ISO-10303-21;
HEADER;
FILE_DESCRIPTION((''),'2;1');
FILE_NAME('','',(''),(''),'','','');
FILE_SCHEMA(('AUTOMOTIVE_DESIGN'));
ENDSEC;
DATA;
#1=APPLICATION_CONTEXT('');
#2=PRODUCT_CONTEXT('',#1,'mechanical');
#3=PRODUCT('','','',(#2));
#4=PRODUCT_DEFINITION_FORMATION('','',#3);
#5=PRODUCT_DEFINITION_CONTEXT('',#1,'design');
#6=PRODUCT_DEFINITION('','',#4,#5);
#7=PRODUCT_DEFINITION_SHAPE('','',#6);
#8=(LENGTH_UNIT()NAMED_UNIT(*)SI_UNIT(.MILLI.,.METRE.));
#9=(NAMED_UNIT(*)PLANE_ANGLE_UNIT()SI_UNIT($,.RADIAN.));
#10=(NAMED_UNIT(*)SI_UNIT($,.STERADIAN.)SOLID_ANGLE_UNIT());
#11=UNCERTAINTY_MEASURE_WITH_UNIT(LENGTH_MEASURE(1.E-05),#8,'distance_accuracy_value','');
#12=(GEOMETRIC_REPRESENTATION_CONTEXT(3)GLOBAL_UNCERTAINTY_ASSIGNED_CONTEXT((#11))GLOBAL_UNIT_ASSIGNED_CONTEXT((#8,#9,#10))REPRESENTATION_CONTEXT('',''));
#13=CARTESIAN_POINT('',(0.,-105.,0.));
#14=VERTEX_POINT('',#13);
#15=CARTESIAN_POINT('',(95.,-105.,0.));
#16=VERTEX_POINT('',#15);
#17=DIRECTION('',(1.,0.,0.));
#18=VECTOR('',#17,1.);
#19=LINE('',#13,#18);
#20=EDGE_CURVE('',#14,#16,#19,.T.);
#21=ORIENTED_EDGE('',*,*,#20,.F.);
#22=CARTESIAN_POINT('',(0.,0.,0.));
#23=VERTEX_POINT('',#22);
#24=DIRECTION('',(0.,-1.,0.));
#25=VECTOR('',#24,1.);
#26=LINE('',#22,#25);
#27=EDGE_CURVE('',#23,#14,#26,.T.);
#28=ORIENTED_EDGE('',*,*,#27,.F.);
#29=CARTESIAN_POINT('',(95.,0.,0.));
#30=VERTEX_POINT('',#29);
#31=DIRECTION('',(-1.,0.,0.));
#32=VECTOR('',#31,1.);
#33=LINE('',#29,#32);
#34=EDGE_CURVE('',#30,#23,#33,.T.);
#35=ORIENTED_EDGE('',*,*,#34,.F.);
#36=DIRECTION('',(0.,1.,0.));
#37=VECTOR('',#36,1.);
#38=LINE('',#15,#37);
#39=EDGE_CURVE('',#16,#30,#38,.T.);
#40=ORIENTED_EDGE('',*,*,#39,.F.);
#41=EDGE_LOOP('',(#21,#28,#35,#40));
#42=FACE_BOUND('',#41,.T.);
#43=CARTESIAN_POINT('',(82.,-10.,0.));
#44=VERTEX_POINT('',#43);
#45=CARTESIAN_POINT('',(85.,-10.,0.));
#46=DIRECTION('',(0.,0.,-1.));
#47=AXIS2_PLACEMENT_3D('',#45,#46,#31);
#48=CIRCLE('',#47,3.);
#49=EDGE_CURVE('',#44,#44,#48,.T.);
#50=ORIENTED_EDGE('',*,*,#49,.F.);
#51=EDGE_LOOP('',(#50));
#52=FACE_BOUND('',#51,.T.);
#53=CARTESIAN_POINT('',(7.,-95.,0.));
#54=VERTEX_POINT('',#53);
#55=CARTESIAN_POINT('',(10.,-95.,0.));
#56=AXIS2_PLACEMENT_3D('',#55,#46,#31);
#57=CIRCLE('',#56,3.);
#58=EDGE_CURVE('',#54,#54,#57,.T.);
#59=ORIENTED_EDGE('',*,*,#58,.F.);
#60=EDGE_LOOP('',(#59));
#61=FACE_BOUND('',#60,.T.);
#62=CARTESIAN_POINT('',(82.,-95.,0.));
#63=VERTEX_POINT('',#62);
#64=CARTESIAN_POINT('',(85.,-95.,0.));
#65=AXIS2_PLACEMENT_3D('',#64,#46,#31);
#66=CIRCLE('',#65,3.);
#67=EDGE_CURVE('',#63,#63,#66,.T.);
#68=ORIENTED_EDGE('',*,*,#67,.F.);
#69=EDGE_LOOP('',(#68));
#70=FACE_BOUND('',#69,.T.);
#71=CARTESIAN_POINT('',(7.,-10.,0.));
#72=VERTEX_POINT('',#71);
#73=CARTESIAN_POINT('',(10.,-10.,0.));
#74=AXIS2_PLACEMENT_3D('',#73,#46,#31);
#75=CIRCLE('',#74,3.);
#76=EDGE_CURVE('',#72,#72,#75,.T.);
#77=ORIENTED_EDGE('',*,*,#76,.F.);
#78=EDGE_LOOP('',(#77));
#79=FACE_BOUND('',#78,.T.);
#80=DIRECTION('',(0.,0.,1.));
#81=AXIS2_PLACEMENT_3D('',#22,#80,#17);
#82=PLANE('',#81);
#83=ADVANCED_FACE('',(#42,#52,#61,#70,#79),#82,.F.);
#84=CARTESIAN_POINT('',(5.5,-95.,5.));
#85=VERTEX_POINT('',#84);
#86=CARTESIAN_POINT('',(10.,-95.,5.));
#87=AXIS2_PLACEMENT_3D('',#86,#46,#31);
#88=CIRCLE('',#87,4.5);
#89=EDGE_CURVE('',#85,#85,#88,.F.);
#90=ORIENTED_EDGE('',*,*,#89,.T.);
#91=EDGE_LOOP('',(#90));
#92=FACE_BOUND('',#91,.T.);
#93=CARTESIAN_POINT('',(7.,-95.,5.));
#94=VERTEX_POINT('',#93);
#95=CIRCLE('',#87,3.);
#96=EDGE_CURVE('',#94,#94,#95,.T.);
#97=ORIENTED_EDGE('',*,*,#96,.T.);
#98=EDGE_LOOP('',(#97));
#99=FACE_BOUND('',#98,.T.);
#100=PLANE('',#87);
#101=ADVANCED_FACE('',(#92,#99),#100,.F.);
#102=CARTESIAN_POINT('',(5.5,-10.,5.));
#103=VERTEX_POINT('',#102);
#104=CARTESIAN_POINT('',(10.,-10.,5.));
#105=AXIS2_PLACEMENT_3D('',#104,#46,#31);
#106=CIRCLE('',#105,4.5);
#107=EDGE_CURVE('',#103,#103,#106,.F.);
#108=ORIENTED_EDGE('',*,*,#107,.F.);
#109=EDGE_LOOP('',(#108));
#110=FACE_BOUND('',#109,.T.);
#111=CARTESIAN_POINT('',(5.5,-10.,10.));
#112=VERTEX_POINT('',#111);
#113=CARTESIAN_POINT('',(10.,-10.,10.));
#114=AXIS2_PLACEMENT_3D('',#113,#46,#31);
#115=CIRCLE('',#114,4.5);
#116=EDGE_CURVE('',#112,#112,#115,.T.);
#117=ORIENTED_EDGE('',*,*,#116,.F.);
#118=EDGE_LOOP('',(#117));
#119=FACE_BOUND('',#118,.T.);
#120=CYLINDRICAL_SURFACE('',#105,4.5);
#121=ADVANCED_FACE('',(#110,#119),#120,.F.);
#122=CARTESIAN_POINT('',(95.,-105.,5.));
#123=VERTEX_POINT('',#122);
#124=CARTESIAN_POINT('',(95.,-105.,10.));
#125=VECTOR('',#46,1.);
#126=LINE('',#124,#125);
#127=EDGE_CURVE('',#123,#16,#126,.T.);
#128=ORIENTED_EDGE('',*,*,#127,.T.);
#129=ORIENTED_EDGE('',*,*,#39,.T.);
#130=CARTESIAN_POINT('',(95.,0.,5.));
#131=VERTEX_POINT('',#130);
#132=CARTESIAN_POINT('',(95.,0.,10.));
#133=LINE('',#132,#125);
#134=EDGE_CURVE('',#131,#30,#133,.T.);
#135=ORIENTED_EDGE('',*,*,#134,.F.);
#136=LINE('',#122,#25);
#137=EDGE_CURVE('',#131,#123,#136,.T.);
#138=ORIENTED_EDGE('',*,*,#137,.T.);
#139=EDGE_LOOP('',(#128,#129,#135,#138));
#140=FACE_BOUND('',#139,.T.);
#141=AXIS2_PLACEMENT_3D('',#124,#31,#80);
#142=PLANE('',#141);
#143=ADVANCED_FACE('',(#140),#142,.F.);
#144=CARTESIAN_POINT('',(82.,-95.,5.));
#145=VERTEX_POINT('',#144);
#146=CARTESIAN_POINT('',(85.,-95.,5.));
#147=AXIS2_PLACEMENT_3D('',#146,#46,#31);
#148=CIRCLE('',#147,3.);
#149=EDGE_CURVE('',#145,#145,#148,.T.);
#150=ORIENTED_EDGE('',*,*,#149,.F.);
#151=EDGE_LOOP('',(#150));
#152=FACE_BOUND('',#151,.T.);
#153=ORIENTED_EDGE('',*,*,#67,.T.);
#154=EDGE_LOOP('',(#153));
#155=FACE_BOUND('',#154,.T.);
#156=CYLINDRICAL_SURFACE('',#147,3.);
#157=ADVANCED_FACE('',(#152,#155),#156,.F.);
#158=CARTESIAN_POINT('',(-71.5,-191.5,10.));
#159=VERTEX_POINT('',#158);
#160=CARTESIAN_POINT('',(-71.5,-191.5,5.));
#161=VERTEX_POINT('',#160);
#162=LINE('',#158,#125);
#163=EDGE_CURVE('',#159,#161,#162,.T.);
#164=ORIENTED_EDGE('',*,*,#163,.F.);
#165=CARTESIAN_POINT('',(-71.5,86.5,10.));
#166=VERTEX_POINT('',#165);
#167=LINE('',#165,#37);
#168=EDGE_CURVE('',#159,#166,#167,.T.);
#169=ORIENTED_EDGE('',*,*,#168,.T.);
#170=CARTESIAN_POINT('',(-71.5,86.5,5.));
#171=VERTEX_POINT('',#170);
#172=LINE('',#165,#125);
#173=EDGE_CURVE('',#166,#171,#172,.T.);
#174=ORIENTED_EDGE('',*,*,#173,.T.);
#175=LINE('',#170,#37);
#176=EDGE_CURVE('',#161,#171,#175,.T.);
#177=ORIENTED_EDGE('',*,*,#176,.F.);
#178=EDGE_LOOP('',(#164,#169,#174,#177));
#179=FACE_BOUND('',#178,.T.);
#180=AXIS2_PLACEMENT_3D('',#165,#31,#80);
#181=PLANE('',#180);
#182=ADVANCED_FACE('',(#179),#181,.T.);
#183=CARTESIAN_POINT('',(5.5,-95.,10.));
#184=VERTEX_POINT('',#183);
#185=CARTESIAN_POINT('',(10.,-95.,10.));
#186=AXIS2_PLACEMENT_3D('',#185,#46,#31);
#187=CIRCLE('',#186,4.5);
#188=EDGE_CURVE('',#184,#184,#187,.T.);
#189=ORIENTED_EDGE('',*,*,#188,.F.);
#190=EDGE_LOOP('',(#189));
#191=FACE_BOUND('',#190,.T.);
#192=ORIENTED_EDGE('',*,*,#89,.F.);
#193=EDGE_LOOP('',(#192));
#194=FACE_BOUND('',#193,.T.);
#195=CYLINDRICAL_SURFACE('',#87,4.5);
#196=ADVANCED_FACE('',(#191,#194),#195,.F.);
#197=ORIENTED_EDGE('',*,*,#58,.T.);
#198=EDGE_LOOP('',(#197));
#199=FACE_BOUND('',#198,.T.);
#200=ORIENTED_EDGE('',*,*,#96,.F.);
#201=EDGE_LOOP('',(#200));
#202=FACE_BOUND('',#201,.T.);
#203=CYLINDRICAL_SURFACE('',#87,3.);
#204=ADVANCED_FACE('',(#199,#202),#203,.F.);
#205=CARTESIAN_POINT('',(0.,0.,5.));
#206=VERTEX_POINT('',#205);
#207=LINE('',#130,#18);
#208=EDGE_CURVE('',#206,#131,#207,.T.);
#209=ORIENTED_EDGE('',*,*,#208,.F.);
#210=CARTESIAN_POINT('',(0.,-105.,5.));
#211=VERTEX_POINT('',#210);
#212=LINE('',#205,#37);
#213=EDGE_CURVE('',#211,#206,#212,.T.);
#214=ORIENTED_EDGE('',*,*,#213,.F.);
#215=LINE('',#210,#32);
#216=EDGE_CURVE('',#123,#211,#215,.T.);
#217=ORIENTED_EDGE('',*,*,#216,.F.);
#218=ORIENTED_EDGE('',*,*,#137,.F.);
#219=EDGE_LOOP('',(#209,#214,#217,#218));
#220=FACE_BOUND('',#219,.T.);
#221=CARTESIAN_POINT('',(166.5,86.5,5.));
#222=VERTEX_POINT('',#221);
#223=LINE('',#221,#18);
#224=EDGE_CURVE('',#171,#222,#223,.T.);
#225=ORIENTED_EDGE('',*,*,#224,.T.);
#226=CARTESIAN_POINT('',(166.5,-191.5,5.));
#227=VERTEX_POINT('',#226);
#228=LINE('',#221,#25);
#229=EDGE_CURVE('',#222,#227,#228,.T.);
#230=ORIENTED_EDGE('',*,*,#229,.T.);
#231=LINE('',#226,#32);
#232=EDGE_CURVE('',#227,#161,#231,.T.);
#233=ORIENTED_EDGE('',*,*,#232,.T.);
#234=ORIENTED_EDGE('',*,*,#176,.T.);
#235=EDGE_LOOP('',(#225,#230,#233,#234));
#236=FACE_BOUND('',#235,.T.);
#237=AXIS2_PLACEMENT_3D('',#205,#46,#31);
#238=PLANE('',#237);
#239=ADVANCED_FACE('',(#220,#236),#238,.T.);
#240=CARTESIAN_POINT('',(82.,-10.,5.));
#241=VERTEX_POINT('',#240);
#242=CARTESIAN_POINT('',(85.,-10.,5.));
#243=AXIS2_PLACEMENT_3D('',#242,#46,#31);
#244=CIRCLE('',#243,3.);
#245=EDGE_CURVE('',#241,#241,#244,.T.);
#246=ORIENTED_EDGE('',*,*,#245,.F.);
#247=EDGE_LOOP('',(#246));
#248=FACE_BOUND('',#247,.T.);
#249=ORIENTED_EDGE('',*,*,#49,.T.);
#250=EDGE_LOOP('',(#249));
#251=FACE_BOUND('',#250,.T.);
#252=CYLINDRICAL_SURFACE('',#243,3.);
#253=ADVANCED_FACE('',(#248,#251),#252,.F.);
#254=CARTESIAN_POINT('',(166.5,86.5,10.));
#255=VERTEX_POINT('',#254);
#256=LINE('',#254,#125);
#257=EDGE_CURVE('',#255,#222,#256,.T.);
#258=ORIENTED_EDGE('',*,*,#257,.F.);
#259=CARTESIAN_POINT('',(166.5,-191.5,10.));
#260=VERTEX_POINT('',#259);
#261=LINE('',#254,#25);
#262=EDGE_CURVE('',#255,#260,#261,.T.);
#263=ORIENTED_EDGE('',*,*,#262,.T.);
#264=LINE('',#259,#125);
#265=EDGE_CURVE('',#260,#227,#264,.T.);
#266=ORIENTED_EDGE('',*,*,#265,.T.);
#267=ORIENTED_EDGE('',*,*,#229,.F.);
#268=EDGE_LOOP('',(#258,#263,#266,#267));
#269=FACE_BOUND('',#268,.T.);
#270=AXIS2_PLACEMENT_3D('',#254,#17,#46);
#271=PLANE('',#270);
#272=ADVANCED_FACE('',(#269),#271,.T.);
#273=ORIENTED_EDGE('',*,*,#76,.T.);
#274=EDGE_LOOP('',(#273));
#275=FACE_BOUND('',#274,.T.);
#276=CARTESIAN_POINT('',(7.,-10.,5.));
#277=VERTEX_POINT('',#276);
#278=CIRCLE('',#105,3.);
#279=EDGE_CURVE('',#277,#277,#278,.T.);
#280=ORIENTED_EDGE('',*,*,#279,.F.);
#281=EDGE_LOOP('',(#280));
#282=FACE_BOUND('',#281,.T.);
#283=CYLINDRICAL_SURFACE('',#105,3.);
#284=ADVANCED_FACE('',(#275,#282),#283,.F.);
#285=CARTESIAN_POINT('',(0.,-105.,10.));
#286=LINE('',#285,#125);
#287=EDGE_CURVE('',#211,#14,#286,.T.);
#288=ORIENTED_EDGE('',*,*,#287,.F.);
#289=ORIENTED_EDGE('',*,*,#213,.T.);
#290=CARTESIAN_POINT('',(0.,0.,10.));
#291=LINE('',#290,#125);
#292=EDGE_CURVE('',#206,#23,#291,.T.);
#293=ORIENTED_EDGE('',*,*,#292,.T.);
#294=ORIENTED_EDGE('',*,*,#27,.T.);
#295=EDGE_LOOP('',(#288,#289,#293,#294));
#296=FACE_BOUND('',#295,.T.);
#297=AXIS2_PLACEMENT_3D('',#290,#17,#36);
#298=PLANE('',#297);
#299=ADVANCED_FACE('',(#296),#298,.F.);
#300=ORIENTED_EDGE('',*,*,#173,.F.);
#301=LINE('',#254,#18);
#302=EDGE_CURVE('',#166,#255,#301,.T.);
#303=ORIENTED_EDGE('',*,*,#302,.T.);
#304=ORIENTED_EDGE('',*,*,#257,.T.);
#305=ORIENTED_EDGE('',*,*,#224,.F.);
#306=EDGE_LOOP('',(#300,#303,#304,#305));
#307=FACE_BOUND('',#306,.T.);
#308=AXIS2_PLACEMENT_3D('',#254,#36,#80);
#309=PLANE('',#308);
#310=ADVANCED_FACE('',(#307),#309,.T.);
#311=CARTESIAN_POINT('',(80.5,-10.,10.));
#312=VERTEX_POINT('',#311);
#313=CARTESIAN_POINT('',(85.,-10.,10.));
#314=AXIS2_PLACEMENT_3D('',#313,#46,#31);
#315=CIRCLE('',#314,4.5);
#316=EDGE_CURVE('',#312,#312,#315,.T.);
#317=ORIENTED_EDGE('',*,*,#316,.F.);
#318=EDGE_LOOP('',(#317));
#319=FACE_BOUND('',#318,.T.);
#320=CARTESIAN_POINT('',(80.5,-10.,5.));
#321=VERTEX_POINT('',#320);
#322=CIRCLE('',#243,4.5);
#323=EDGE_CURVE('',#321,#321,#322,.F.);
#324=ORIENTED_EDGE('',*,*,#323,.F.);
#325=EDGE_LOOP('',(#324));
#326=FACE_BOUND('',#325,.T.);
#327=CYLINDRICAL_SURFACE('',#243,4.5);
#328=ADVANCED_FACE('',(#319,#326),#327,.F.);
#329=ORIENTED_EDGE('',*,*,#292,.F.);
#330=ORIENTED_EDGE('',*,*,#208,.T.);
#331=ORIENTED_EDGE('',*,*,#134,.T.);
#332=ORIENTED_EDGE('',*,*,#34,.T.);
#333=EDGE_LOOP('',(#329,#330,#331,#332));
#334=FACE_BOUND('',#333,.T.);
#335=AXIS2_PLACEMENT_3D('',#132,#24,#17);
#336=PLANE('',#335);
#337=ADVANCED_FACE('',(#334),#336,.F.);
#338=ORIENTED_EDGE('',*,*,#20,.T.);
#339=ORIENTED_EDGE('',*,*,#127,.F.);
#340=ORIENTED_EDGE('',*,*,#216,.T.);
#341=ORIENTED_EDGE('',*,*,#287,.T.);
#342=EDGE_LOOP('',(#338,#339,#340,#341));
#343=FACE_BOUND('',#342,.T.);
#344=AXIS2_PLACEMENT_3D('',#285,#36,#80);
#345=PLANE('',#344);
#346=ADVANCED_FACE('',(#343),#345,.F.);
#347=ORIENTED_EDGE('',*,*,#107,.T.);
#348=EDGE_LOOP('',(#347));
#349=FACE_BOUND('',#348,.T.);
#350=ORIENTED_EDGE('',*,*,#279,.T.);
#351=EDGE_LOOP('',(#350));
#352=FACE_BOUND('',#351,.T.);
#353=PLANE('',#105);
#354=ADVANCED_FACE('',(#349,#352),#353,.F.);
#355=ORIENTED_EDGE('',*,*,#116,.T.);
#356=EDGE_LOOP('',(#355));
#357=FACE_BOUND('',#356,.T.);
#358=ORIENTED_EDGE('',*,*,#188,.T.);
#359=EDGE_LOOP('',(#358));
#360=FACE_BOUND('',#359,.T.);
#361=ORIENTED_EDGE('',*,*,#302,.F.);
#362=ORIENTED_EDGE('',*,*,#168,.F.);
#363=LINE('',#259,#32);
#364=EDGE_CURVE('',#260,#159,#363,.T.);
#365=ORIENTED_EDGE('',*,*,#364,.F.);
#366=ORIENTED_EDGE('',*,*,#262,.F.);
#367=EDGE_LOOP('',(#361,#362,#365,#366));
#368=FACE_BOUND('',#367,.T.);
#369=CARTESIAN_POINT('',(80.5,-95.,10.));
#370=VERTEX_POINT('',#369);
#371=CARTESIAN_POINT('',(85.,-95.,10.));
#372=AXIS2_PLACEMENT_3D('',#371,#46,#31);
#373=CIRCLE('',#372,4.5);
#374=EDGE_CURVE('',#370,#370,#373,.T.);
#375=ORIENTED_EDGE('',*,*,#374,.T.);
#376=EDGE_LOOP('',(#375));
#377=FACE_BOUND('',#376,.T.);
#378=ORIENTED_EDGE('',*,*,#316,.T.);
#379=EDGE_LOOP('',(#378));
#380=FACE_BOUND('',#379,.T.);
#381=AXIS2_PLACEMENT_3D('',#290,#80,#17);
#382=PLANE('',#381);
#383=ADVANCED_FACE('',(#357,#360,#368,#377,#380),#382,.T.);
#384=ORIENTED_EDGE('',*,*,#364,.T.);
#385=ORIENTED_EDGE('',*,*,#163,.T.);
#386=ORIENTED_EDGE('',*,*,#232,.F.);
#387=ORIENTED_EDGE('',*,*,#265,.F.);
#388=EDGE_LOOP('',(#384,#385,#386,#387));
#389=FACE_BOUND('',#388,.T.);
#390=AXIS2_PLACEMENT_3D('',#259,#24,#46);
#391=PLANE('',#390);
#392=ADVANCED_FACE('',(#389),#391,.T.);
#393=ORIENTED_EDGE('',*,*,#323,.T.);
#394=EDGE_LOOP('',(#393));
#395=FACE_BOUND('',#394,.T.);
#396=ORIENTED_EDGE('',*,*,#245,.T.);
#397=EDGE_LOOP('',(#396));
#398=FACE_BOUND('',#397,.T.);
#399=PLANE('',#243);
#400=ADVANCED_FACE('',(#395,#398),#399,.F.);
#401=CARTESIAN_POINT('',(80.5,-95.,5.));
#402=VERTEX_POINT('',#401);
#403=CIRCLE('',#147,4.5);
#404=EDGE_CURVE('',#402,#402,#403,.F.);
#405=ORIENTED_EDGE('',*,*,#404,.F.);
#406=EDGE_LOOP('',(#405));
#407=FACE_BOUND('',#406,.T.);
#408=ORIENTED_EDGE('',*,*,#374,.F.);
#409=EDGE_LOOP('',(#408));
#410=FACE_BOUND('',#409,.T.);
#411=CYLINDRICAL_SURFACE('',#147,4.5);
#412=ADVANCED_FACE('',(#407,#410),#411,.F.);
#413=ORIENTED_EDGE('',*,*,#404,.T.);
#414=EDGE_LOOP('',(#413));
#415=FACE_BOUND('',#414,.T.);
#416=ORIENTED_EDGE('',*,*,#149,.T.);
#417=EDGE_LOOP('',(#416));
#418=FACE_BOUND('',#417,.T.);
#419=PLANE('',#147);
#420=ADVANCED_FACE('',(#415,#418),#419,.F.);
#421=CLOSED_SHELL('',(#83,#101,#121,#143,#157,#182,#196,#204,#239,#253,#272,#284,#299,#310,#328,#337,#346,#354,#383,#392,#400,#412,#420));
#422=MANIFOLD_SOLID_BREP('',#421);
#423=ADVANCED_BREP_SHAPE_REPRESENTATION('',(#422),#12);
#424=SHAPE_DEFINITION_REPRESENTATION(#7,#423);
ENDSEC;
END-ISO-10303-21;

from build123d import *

# Parameters (mm, degrees)
SKETCH_1_W          = 95
SKETCH_1_H          = 105
EXTRUDE_3_DEPTH     = 10
SKETCH_10_R         = 4.5
CUT_EXTRUDE_4_DEPTH = 5
EXTRUDE_4_DEPTH     = 5
SKETCH_13_W         = 238
SKETCH_13_H         = 278
SKETCH_13_W_2       = 228
SKETCH_13_H_2       = 268
EXTRUDE_5_DEPTH     = 30
SKETCH_14_W         = 238
SKETCH_14_H         = 278
SKETCH_14_W_2       = 228
SKETCH_14_H_2       = 268
EXTRUDE_6_DEPTH     = 5
SKETCH_17_W         = 464.866912847
SKETCH_17_H         = 477.250662574
CUT_EXTRUDE_5_DEPTH = 30
SKETCH_10_2_R       = 4.5
CUT_EXTRUDE_6_DEPTH = 10
SKETCH_19_R         = 4.5
SKETCH_19_R_2       = 3
EXTRUDE_7_DEPTH     = 5


with BuildPart() as part:
    # 草图1 → 凸台-拉伸3 (new body)
    with BuildSketch(Plane.XY):
        with Locations((47.5, -52.5)):
            Rectangle(SKETCH_1_W, SKETCH_1_H)
    extrude(amount=EXTRUDE_3_DEPTH)

    # 草图10 → 切除-拉伸4 (cut)
    with BuildSketch(Plane(origin=(0, 0, 0), x_dir=(-1, 0, 0), z_dir=(0, 0, -1))):
        with Locations((-85, -10)):
            Circle(SKETCH_10_R)
        with Locations((-85, -95)):
            Circle(SKETCH_10_R)
        with Locations((-10, -95)):
            Circle(SKETCH_10_R)
        with Locations((-10, -10)):
            Circle(SKETCH_10_R)
    extrude(amount=-CUT_EXTRUDE_4_DEPTH, mode=Mode.SUBTRACT)

    # 草图12 → 凸台-拉伸4 (add)
    with BuildSketch(Plane.XY.offset(10)):
        Polygon((47.5, 81.5), (161.5, 81.5), (161.5, -186.5), (-66.5, -186.5), (-66.5, 81.5), align=None)
    extrude(amount=-EXTRUDE_4_DEPTH)



with BuildPart() as body_2:
    # 草图13 → 凸台-拉伸5 (new body)
    with BuildSketch(Plane.XY.offset(10)):
        with Locations((47.5, -52.5)):
            Rectangle(SKETCH_13_W, SKETCH_13_H)
        with Locations((47.5, -52.5)):
            Rectangle(SKETCH_13_W_2, SKETCH_13_H_2, mode=Mode.SUBTRACT)
    extrude(amount=EXTRUDE_5_DEPTH)


with BuildPart() as part_1:
    add(part.part)

    add(body_2.part)  # 凸台-拉伸6 merges body 2
    # 草图14 → 凸台-拉伸6 (add)
    with BuildSketch(Plane(origin=(0, 0, 5), x_dir=(-1, 0, 0), z_dir=(0, 0, -1))):
        with Locations((-47.5, -52.5)):
            Rectangle(SKETCH_14_W, SKETCH_14_H)
        with Locations((-47.5, -52.5)):
            Rectangle(SKETCH_14_W_2, SKETCH_14_H_2, mode=Mode.SUBTRACT)
    extrude(amount=-EXTRUDE_6_DEPTH)

    # 草图17 → 切除-拉伸5 (cut)
    with BuildSketch(Plane.XY.offset(40)):
        with Locations((32.258461874, -38.211058007)):
            Rectangle(SKETCH_17_W, SKETCH_17_H)
    extrude(amount=-CUT_EXTRUDE_5_DEPTH, mode=Mode.SUBTRACT)

    # 草图10<2> → 切除-拉伸6 (cut)
    with BuildSketch(Plane(origin=(0, 0, 0), x_dir=(-1, 0, 0), z_dir=(0, 0, -1))):
        with Locations((-85, -10)):
            Circle(SKETCH_10_2_R)
        with Locations((-85, -95)):
            Circle(SKETCH_10_2_R)
        with Locations((-10, -95)):
            Circle(SKETCH_10_2_R)
        with Locations((-10, -10)):
            Circle(SKETCH_10_2_R)
    extrude(amount=-CUT_EXTRUDE_6_DEPTH, mode=Mode.SUBTRACT)

    # 草图19 → 凸台-拉伸7 (add)
    # profile 1 of 4: a face of its own
    with BuildSketch(Plane(origin=(0, 0, 0), x_dir=(-1, 0, 0), z_dir=(0, 0, -1))):
        with Locations((-85, -10)):
            Circle(SKETCH_19_R)
        with Locations((-85, -10)):
            Circle(SKETCH_19_R_2, mode=Mode.SUBTRACT)
    # profile 2 of 4: a face of its own
    with BuildSketch(Plane(origin=(0, 0, 0), x_dir=(-1, 0, 0), z_dir=(0, 0, -1))):
        with Locations((-10, -10)):
            Circle(SKETCH_19_R)
        with Locations((-10, -10)):
            Circle(SKETCH_19_R_2, mode=Mode.SUBTRACT)
    # profile 3 of 4: a face of its own
    with BuildSketch(Plane(origin=(0, 0, 0), x_dir=(-1, 0, 0), z_dir=(0, 0, -1))):
        with Locations((-85, -95)):
            Circle(SKETCH_19_R)
        with Locations((-85, -95)):
            Circle(SKETCH_19_R_2, mode=Mode.SUBTRACT)
    # profile 4 of 4: a face of its own
    with BuildSketch(Plane(origin=(0, 0, 0), x_dir=(-1, 0, 0), z_dir=(0, 0, -1))):
        with Locations((-10, -95)):
            Circle(SKETCH_19_R)
        with Locations((-10, -95)):
            Circle(SKETCH_19_R_2, mode=Mode.SUBTRACT)
    extrude(amount=-EXTRUDE_7_DEPTH)


solid = part_1.part
